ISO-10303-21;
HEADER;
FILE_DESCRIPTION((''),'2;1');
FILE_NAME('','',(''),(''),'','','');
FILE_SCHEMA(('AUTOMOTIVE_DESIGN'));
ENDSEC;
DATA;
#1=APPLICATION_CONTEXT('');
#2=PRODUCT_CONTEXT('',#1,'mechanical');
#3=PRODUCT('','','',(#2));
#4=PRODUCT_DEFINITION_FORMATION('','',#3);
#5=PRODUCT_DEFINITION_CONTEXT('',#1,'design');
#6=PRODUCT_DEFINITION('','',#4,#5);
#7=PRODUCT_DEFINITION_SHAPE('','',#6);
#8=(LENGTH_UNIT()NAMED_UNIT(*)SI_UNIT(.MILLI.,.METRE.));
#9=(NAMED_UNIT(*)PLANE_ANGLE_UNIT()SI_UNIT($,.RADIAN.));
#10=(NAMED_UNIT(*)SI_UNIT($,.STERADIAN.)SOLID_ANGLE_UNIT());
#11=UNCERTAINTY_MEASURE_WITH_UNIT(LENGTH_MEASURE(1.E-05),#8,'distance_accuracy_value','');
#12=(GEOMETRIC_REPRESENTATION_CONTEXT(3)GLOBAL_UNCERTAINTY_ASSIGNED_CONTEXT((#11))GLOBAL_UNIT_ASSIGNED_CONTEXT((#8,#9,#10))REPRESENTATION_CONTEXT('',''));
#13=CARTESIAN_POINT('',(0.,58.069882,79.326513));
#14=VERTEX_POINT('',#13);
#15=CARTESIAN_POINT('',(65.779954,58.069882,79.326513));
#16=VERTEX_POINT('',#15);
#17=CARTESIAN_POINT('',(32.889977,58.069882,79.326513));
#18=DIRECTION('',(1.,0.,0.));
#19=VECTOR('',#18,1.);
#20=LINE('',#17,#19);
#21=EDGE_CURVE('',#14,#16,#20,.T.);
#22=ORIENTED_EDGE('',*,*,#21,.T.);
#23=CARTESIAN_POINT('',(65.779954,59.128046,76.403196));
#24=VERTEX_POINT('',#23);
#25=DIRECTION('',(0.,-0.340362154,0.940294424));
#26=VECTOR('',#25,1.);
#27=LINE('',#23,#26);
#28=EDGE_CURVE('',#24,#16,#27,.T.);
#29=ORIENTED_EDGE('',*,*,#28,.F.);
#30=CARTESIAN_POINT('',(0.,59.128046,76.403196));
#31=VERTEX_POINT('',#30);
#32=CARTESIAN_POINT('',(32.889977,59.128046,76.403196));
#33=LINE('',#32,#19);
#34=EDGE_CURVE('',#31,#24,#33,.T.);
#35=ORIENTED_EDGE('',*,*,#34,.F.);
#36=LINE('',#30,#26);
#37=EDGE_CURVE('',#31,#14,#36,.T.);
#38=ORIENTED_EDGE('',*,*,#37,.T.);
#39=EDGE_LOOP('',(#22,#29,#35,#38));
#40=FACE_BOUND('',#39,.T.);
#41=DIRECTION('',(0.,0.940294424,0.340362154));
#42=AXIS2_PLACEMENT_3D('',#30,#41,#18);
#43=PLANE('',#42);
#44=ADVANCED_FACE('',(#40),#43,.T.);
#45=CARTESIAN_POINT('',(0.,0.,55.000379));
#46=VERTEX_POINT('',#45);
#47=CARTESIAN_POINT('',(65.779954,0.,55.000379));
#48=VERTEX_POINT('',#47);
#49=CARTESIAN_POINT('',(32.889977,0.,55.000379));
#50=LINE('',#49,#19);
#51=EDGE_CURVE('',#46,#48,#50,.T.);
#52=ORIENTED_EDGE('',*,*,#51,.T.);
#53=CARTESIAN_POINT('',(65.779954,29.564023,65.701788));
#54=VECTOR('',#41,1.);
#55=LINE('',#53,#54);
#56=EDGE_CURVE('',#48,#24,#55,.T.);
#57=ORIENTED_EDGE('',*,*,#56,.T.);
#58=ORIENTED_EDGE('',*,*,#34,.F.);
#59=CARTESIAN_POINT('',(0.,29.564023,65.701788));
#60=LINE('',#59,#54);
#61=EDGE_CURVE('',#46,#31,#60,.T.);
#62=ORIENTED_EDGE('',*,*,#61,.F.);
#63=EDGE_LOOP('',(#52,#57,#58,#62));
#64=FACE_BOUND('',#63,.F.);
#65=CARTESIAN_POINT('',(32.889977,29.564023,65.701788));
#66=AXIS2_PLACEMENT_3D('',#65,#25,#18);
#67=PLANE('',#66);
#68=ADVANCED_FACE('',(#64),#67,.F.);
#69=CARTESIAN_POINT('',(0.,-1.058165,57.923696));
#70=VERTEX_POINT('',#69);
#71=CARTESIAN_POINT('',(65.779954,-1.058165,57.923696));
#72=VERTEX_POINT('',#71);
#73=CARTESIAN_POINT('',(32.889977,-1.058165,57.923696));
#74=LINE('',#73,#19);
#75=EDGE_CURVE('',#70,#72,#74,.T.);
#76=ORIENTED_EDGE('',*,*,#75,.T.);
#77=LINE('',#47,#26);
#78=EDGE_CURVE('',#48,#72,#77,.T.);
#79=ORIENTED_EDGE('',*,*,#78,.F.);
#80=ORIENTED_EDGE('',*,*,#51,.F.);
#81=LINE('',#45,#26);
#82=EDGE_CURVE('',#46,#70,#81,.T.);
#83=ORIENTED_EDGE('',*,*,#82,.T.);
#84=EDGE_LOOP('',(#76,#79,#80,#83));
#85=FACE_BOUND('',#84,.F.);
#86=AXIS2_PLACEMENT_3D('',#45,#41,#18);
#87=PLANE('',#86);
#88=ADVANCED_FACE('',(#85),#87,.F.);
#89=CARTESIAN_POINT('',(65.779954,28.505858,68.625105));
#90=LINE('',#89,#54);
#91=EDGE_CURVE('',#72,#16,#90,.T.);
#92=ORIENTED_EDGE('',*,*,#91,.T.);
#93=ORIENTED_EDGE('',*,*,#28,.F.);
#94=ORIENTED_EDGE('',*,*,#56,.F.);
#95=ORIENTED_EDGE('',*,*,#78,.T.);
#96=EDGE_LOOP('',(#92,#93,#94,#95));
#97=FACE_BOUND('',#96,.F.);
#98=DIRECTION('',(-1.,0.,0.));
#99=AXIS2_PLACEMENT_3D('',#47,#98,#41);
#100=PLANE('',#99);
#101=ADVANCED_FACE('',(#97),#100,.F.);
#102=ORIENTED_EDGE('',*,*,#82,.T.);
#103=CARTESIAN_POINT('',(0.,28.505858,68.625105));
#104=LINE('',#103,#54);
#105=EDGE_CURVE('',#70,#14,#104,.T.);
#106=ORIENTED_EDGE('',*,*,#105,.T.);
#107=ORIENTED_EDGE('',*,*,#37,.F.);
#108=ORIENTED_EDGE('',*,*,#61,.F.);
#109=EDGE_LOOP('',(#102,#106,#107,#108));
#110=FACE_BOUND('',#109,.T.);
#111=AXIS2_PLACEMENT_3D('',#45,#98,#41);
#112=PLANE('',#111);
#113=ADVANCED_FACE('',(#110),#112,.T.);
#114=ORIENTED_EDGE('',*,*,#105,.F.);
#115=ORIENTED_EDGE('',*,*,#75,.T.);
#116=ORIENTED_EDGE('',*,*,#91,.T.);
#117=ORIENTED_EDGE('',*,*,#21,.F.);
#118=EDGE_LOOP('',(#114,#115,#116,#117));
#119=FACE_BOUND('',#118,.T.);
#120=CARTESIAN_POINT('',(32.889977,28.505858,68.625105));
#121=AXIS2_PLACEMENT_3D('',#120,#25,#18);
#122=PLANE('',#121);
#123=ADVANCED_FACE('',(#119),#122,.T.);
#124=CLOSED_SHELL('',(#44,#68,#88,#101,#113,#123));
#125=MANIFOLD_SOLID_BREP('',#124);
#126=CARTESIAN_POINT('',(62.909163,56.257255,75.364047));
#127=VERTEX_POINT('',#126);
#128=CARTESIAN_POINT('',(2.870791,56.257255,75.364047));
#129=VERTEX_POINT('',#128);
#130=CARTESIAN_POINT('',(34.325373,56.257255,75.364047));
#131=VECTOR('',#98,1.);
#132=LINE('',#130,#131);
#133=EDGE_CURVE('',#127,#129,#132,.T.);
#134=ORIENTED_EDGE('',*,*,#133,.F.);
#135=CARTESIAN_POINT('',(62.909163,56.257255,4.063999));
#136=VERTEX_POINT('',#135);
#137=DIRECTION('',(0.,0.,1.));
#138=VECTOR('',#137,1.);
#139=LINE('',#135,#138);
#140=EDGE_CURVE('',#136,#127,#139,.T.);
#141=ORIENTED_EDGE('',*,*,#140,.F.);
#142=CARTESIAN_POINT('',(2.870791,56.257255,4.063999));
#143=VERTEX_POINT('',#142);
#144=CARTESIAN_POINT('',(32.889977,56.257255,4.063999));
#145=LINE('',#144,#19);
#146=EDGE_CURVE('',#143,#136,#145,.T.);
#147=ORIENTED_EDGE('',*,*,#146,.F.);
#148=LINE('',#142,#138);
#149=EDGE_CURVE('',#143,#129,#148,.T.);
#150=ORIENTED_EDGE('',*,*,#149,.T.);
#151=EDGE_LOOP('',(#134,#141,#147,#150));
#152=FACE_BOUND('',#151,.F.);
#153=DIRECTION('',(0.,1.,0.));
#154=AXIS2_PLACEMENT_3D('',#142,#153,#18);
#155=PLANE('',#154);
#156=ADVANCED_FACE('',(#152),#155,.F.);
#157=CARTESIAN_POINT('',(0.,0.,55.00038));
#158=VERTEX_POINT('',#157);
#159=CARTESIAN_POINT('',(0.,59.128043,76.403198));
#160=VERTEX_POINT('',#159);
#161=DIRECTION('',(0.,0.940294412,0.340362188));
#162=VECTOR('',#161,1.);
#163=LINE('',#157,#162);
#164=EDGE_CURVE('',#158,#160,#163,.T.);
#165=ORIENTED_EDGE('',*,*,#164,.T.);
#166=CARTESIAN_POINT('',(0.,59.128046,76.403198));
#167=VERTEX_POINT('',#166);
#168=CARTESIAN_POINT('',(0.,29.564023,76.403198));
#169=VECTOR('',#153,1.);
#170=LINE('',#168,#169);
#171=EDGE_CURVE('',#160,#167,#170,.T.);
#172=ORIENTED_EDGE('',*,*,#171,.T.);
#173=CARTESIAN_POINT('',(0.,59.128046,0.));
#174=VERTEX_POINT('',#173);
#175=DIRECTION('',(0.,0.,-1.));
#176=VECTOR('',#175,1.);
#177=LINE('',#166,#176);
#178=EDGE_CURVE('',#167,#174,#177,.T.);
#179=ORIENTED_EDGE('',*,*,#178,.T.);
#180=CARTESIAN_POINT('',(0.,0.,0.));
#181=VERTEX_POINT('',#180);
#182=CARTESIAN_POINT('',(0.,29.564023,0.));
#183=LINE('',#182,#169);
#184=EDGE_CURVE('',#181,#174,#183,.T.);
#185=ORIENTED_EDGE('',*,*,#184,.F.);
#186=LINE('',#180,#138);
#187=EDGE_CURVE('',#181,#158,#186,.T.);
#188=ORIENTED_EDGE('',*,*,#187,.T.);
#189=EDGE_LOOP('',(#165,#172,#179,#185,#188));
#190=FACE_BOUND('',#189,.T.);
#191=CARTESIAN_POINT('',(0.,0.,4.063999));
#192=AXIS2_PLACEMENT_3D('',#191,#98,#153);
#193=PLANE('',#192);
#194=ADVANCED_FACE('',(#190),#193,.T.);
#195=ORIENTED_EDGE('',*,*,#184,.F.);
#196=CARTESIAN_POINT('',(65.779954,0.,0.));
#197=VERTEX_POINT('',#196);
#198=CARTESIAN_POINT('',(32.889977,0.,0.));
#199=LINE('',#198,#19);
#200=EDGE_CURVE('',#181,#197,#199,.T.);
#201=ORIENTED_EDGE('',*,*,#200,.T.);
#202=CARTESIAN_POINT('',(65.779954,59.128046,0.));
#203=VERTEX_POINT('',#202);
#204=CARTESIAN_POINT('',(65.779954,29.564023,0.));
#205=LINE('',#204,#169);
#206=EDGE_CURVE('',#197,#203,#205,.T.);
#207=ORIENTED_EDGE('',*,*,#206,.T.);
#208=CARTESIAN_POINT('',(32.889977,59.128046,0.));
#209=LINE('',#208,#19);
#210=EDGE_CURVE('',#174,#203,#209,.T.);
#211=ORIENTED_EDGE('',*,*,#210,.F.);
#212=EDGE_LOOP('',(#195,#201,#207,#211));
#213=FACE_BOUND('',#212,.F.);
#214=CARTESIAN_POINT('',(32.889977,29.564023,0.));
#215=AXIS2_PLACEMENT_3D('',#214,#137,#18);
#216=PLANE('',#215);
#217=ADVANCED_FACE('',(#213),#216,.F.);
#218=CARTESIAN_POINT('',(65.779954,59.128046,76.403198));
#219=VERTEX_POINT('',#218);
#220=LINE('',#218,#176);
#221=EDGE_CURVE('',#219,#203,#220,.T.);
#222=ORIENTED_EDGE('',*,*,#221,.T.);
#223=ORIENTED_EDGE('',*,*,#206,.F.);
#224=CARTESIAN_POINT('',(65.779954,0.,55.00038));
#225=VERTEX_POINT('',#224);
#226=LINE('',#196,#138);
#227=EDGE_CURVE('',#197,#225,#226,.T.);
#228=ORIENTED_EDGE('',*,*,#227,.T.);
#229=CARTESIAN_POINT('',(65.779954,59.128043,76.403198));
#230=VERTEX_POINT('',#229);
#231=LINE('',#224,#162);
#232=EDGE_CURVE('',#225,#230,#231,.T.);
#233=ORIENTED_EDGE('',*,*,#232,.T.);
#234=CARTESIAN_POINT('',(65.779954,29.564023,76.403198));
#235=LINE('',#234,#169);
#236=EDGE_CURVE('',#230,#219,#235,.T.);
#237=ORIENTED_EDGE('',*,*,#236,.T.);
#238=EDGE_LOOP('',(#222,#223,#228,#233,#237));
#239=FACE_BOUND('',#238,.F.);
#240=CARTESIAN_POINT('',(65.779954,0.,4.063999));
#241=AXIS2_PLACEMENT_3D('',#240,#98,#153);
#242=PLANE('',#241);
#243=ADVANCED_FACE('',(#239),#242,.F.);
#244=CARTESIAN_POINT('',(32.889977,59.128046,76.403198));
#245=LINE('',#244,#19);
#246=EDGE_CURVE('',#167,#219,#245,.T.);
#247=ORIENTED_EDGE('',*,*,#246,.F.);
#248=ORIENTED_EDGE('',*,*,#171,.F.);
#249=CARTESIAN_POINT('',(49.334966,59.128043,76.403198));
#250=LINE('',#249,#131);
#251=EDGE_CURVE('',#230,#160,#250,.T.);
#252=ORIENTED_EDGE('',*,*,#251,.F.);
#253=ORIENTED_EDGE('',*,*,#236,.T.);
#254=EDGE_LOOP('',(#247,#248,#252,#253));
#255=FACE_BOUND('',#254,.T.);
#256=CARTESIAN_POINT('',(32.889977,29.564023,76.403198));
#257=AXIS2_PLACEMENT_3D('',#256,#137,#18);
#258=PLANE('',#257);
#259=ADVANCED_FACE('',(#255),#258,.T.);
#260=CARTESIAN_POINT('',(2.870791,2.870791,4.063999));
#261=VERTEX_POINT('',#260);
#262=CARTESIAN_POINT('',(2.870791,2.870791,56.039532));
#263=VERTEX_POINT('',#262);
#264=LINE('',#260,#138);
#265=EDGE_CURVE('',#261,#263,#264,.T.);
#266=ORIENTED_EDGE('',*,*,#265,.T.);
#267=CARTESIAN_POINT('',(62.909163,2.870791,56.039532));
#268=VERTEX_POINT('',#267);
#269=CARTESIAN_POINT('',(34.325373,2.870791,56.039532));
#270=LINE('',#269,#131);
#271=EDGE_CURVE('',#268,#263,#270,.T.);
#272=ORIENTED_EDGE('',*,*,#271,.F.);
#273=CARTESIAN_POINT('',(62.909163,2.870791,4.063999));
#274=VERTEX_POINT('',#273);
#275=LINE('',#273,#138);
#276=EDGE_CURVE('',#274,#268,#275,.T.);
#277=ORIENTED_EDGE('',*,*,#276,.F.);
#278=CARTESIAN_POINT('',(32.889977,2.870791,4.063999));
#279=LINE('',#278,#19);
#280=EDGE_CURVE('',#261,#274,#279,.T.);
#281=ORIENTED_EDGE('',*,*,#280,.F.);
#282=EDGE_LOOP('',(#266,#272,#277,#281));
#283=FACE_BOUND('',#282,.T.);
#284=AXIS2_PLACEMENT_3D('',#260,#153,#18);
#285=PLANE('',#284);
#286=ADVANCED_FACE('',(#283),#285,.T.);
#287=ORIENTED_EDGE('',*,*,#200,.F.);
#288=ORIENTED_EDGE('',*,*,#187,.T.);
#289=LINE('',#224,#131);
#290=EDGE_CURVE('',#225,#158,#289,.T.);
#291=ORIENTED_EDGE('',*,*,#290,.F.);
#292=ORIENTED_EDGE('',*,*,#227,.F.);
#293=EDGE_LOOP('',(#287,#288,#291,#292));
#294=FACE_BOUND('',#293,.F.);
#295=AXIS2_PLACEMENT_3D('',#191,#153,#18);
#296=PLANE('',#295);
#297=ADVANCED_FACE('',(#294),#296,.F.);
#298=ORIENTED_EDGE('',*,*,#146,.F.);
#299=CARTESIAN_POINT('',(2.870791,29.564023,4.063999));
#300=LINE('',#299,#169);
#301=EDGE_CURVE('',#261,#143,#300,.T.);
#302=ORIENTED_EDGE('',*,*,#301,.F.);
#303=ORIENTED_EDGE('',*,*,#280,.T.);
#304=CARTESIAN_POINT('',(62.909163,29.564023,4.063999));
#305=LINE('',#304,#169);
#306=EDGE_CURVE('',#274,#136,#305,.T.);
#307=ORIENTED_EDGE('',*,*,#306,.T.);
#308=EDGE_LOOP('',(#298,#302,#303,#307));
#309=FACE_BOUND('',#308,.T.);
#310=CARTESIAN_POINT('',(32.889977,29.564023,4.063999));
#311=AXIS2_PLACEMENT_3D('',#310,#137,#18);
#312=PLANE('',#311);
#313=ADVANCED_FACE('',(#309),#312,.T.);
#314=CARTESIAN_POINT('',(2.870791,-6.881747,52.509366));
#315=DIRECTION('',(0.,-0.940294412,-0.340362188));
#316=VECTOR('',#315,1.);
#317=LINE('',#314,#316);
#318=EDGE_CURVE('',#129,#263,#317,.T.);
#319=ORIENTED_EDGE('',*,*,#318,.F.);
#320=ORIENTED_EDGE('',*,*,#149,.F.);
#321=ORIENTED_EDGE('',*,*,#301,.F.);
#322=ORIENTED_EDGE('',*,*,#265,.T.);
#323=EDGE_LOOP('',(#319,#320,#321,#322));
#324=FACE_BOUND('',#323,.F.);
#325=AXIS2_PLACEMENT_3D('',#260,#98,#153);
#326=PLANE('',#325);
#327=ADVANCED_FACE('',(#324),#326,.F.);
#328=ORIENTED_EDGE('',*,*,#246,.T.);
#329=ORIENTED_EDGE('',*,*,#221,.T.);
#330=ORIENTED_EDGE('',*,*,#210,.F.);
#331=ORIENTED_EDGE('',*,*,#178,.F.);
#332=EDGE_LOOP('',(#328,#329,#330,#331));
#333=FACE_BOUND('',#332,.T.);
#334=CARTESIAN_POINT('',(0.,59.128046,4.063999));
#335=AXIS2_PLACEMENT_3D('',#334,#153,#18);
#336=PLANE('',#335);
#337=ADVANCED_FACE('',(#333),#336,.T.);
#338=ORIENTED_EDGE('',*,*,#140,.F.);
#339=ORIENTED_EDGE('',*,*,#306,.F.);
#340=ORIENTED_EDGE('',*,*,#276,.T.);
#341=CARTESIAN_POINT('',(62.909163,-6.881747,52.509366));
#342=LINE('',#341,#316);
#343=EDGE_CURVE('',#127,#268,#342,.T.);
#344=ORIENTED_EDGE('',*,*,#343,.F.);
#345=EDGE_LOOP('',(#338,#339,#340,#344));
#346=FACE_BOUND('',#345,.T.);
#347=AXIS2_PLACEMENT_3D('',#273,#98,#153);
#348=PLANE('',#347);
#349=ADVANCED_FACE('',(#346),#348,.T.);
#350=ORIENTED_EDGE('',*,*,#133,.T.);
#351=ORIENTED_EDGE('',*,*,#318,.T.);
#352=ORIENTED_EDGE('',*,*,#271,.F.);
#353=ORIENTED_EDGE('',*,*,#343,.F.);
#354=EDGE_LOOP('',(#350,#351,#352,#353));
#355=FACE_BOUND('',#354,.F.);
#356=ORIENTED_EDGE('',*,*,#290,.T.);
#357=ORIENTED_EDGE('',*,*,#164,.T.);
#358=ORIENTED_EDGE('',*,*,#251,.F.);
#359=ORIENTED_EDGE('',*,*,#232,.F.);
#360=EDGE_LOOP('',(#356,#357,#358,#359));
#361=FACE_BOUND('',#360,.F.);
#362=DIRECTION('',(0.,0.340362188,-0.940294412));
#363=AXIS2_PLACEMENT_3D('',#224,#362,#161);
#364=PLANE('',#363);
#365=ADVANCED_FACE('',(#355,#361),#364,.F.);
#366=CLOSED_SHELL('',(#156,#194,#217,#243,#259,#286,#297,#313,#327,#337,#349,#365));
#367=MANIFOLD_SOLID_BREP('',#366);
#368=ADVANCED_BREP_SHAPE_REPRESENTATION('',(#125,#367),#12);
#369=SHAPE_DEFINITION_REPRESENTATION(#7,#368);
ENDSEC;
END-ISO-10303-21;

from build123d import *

# Parameters (mm, degrees)
F0_W     = 65.779954
F0_H     = 59.128046
F1_DEPTH = 4.063999
F3_W     = 65.779954
F3_H     = 59.128046
F3_W_2   = 60.038372
F3_H_2   = 53.386464
F4_DEPTH = 72.339199
F6_DEPTH = 65.779954
F7_W     = 65.779954
F7_H     = 62.882481
F8_DEPTH = 3.108938


with BuildPart() as f1:
    # F0 (on Top) → F1 (new body)
    with BuildSketch(Plane.XY):
        with Locations((32.889977, 29.564023)):
            Rectangle(F0_W, F0_H)
    extrude(amount=F1_DEPTH)

    # F3 (on face) → F4 (join)
    with BuildSketch(Plane.XY.offset(4.063999)):
        with Locations((32.889977, 29.564023)):
            Rectangle(F3_W, F3_H)
        with Locations((32.889977, 29.564023)):
            Rectangle(F3_W_2, F3_H_2, mode=Mode.SUBTRACT)
    extrude(amount=F4_DEPTH)

    # F5 (on face) → F6 (cut, through all)
    with BuildSketch(Plane.YZ.offset(65.779954)):
        Polygon((0, 76.403199), (0, 55.00038), (59.128046, 76.403199), align=None)
    extrude(amount=-F6_DEPTH, mode=Mode.SUBTRACT)


with BuildPart() as f8:
    # F7 (on face) → F8 (new body)
    with BuildSketch(Plane(origin=(0, -17.602358, 48.628783), x_dir=(1, 0, 0), z_dir=(0, -0.340362, 0.940294))):
        with Locations((32.889977, 50.16129)):
            Rectangle(F7_W, F7_H)
    extrude(amount=F8_DEPTH)


solid = Compound([f1.part, f8.part])
